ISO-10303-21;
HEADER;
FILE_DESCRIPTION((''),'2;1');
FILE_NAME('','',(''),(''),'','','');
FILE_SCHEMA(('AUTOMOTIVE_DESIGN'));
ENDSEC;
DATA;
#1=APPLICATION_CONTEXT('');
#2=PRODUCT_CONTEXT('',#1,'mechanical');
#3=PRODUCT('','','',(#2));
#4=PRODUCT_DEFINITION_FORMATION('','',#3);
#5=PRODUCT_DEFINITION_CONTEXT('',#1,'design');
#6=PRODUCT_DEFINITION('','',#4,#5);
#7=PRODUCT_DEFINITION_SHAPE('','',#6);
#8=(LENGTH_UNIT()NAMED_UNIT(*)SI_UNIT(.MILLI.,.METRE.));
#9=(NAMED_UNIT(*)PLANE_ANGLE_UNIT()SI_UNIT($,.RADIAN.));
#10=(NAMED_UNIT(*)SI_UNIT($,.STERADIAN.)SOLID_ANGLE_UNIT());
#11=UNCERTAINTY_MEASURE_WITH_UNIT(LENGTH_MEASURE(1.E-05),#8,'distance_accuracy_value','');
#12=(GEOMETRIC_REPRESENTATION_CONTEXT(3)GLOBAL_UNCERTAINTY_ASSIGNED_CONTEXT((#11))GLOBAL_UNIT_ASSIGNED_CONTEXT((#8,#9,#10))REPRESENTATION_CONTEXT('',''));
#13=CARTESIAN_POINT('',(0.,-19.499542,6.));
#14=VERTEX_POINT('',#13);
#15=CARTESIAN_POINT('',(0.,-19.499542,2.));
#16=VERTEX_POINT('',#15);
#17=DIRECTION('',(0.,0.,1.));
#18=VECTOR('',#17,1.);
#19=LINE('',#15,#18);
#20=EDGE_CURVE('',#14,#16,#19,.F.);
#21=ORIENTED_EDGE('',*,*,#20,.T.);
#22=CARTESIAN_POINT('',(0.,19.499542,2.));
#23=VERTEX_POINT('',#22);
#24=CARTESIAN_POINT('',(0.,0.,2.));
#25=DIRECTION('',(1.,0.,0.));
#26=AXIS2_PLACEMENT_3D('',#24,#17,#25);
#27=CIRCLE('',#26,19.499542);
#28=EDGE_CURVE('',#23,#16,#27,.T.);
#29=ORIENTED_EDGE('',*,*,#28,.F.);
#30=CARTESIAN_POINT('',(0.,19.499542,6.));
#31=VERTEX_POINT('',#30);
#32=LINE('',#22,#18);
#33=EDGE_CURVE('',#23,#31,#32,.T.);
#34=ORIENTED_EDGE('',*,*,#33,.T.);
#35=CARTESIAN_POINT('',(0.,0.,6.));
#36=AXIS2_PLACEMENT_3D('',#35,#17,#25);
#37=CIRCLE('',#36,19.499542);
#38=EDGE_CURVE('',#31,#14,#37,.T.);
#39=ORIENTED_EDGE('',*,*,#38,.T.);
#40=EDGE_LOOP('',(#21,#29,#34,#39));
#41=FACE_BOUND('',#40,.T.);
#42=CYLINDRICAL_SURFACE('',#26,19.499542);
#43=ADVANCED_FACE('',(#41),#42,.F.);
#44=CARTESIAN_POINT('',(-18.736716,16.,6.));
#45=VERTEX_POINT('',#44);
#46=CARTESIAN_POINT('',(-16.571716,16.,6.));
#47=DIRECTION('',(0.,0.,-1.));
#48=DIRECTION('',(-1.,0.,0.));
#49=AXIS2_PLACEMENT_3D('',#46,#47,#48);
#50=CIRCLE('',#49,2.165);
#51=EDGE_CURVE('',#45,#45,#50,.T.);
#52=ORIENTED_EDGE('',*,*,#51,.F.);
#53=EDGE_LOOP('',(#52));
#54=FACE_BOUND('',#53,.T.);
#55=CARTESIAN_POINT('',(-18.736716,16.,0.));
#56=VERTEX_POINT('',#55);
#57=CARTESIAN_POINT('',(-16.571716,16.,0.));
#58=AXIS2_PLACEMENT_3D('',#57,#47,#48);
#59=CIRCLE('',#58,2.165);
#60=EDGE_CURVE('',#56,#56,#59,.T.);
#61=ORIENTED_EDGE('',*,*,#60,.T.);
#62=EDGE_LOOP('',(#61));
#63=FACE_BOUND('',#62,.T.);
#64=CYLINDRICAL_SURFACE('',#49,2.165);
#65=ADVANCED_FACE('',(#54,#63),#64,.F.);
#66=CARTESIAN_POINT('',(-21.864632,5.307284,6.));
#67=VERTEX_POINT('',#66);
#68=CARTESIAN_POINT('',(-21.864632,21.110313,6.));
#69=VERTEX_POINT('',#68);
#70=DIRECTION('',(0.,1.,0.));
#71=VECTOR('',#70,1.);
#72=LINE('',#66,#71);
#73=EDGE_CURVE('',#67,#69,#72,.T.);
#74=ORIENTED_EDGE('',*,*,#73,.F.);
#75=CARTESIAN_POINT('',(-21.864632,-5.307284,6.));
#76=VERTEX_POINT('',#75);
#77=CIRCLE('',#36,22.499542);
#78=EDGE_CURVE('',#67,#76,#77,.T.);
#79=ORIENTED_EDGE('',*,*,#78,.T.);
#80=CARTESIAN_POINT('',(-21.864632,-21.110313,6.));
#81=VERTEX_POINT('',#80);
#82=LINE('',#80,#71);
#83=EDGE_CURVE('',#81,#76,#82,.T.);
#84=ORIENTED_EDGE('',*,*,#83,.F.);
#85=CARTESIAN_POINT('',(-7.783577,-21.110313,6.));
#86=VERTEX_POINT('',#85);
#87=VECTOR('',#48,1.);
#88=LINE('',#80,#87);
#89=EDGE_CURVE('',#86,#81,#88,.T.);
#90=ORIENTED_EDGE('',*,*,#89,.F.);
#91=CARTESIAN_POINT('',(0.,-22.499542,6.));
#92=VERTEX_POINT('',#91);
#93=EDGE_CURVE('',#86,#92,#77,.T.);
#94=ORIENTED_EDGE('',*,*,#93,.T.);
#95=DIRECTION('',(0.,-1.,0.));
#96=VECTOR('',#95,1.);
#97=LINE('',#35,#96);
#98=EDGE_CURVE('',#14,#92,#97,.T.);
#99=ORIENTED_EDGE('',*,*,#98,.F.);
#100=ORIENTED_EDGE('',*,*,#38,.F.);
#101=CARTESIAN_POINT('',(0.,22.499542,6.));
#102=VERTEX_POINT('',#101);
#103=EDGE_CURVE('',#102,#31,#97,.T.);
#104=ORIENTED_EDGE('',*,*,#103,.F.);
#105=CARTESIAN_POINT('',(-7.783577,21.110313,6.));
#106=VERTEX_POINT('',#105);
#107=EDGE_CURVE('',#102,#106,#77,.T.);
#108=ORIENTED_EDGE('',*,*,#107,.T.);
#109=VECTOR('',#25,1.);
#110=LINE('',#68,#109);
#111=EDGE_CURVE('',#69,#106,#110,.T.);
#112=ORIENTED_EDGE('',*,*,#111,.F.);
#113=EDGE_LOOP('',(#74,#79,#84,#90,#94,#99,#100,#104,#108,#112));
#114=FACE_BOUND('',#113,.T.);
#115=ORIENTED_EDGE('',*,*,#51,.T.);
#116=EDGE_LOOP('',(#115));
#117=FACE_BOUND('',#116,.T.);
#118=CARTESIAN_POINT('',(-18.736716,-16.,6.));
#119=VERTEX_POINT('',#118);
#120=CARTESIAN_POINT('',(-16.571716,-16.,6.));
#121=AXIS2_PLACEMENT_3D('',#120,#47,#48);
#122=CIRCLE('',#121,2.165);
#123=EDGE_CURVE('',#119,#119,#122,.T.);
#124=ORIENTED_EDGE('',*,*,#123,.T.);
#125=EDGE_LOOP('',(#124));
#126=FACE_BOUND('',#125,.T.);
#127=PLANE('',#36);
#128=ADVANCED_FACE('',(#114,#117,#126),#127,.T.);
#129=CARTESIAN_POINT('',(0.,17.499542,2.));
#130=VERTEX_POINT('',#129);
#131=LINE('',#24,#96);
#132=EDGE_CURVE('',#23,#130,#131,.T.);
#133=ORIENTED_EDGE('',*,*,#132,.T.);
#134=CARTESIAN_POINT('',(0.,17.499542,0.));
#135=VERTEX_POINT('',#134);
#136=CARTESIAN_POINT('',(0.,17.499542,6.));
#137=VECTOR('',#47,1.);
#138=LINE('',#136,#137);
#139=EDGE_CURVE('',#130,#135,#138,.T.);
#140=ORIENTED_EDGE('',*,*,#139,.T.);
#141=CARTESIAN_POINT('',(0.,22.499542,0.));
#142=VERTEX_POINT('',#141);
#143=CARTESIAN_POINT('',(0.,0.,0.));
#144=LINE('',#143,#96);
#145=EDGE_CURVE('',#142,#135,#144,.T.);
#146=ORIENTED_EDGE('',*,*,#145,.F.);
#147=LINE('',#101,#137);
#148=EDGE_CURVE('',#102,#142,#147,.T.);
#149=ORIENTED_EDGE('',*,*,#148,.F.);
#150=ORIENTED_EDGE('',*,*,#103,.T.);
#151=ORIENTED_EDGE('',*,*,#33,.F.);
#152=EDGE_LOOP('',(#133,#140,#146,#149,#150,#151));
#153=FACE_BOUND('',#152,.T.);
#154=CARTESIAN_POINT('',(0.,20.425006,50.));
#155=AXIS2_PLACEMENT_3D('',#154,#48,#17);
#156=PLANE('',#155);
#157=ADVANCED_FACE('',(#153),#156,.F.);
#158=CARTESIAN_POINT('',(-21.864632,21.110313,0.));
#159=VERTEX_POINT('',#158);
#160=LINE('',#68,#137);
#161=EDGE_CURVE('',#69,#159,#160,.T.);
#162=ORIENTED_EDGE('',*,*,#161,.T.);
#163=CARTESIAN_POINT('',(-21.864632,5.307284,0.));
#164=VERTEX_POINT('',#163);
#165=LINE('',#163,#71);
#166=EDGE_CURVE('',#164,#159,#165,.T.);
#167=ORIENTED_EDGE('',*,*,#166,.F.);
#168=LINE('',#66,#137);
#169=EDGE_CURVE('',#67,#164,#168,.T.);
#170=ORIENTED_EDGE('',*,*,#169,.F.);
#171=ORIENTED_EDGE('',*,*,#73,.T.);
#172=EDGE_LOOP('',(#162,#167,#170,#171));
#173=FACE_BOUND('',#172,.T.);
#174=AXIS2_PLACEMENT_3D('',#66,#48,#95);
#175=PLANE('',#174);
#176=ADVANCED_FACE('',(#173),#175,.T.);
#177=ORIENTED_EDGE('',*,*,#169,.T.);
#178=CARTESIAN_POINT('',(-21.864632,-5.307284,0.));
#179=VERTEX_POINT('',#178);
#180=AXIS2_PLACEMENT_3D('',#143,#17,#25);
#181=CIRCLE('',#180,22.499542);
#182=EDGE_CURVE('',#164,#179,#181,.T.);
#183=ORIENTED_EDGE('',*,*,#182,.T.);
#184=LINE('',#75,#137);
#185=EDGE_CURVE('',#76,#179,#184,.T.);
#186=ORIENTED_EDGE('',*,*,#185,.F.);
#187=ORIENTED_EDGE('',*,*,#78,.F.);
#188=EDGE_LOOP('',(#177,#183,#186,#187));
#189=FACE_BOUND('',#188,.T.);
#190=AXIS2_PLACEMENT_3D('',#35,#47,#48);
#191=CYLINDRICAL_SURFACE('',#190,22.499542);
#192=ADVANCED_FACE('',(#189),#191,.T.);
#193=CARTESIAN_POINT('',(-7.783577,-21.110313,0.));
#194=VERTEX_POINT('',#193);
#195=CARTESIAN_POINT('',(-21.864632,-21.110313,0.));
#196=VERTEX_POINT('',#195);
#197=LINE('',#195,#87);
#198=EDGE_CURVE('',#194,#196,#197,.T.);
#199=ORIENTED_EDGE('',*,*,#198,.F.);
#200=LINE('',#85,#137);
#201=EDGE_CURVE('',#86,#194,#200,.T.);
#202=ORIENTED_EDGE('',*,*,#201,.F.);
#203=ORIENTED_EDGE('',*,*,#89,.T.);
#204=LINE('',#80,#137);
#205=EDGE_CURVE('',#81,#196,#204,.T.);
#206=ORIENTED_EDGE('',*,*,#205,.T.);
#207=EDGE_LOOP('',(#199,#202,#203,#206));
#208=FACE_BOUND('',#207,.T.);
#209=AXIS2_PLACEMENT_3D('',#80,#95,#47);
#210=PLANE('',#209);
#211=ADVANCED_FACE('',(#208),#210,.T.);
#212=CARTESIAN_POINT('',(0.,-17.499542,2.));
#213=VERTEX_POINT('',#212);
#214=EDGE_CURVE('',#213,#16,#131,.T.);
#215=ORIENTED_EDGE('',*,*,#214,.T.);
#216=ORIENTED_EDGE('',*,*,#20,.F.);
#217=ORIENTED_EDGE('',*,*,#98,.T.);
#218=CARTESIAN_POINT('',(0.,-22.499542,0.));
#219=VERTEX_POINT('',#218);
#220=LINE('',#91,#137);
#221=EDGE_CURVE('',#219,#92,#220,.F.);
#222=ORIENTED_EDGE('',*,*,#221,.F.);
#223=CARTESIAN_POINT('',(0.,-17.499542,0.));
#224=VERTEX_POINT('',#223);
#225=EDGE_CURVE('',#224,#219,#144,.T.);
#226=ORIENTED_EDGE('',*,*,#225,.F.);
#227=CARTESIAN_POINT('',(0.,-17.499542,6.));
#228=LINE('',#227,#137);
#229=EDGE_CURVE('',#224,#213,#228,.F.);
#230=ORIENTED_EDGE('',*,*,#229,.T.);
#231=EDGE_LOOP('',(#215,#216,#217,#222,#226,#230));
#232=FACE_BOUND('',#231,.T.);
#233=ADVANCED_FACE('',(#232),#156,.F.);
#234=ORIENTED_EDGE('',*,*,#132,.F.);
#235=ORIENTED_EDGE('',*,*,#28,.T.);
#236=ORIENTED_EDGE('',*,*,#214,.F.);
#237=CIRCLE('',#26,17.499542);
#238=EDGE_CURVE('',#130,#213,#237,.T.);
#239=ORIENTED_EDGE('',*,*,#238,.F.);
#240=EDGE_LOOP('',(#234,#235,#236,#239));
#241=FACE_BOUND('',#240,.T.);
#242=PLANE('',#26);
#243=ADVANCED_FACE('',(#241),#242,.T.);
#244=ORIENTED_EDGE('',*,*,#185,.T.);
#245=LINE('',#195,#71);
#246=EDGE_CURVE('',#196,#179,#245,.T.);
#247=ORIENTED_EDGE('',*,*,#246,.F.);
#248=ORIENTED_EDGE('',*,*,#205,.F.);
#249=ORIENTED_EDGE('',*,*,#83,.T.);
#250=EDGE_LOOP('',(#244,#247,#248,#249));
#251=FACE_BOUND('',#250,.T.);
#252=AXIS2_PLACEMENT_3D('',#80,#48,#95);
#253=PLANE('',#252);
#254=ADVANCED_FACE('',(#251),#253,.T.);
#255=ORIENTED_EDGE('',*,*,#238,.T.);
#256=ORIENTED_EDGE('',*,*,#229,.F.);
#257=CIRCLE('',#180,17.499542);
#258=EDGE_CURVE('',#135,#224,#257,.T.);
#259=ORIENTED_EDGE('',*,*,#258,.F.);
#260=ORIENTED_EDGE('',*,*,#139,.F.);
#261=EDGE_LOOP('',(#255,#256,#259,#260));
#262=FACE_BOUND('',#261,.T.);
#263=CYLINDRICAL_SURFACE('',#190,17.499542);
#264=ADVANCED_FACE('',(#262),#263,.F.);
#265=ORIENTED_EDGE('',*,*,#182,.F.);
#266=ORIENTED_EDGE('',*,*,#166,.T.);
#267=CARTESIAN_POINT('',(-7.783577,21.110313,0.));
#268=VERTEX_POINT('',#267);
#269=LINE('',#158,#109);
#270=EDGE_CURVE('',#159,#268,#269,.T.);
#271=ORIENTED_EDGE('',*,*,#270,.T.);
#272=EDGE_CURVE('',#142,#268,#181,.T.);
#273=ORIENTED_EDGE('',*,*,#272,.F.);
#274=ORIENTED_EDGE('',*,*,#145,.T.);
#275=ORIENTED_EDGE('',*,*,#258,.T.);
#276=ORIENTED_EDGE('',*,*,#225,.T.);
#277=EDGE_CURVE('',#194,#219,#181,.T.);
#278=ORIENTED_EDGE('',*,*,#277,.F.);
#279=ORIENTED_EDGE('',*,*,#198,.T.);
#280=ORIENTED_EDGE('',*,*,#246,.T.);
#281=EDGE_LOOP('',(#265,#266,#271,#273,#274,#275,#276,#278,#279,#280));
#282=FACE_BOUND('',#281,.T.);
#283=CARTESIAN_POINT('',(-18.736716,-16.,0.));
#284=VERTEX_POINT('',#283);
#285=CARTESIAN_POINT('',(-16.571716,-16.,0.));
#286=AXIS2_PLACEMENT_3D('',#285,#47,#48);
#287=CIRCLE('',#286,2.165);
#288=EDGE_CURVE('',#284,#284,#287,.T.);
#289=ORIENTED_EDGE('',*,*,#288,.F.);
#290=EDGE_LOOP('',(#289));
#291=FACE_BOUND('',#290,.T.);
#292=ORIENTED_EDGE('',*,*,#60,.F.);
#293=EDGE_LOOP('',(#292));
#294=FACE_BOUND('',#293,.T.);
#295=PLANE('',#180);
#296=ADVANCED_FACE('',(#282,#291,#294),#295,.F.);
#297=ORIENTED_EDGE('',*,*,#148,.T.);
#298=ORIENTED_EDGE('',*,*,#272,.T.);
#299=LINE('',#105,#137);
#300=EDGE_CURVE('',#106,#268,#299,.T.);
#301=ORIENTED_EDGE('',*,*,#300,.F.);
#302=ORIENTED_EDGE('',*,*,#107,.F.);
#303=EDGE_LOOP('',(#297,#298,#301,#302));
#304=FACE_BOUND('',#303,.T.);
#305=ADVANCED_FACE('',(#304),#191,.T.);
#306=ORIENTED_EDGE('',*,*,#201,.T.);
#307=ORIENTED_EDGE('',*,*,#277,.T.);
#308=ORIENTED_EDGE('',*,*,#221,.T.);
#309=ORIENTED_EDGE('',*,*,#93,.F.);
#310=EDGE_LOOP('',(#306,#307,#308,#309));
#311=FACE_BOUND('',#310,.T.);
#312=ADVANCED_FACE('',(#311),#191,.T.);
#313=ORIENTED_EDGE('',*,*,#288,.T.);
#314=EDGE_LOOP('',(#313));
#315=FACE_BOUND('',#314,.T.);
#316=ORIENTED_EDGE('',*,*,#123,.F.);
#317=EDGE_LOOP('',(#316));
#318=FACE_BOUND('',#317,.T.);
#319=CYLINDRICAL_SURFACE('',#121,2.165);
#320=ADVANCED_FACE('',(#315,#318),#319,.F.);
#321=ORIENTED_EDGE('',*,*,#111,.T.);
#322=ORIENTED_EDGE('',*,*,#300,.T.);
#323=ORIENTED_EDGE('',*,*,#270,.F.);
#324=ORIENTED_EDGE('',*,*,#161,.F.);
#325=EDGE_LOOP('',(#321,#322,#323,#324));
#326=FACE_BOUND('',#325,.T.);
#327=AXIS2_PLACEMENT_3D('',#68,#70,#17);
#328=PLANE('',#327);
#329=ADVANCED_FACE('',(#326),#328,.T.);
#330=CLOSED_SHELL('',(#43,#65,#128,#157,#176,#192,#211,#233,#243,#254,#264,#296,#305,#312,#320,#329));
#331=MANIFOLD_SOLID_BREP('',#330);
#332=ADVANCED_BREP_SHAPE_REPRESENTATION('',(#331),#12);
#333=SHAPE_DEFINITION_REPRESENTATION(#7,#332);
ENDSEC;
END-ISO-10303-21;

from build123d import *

# Parameters (mm, degrees)
SKETCH1_R           = 22.4995417
SKETCH1_R_2         = 17.4995417
BOSS_EXTRUDE1_DEPTH = 6
CUT_EXTRUDE1_START  = -4
SKETCH2_R           = 19.4995417
SKETCH2_R_2         = 17.4995417
CUT_EXTRUDE1_DEPTH  = 4
BOSS_EXTRUDE2_DEPTH = 6
BOSS_EXTRUDE3_START = 24
BOSS_EXTRUDE3_DEPTH = 24
BOSS_EXTRUDE4_START = 5
SKETCH6_R           = 22.4995417
SKETCH6_R_2         = 8.79453705
BOSS_EXTRUDE4_DEPTH = 5
CUT_EXTRUDE2_DEPTH  = 50
SKETCH8_W           = 26.34206851
SKETCH8_H           = 62.78523096
CUT_EXTRUDE3_DEPTH  = 44.051814752
SKETCH9_R           = 2.165
CUT_EXTRUDE4_DEPTH  = 33.379912807


with BuildPart() as part:
    # Sketch1 → Boss-Extrude1 (new body)
    with BuildSketch(Plane.XY):
        Circle(SKETCH1_R)
        Circle(SKETCH1_R_2, mode=Mode.SUBTRACT)
    extrude(amount=BOSS_EXTRUDE1_DEPTH)

    # Sketch2 → Cut-Extrude1 (cut)
    with BuildSketch(Plane.XY.offset(6).offset(CUT_EXTRUDE1_START)):
        Circle(SKETCH2_R)
        Circle(SKETCH2_R_2, mode=Mode.SUBTRACT)
    extrude(amount=CUT_EXTRUDE1_DEPTH, mode=Mode.SUBTRACT)

    # Sketch3 → Boss-Extrude2 (add, through all)
    with BuildSketch(Plane(origin=(0, 0, 0), x_dir=(-1, 0, 0), z_dir=(0, 0, -1))):
        with BuildLine():
            Line((-7.783576547, 21.11031295), (-21.864631522, 21.11031295))
            Line((-21.864631522, 21.11031295), (-21.864631522, 5.307284156))
            ThreePointArc((-21.864631522, 5.307284156), (-16.798452018, 14.96801211), (-7.783576547, 21.11031295))
        make_face()
        with BuildLine():
            Line((21.864631522, -21.11031295), (7.783576547, -21.11031295))
            ThreePointArc((7.783576547, -21.11031295), (16.798452018, -14.96801211), (21.864631522, -5.307284156))
            Line((21.864631522, -5.307284156), (21.864631522, -21.11031295))
        make_face()
        with BuildLine():
            Line((21.864631522, 21.11031295), (7.783576547, 21.11031295))
            ThreePointArc((7.783576547, 21.11031295), (16.798452018, 14.96801211), (21.864631522, 5.307284156))
            Line((21.864631522, 5.307284156), (21.864631522, 21.11031295))
        make_face()
        with BuildLine():
            Line((-21.864631522, -21.11031295), (-21.864631522, -5.307284156))
            ThreePointArc((-21.864631522, -5.307284156), (-16.798452018, -14.96801211), (-7.783576547, -21.11031295))
            Line((-7.783576547, -21.11031295), (-21.864631522, -21.11031295))
        make_face()
    extrude(amount=-BOSS_EXTRUDE2_DEPTH)

    # Sketch5 → Boss-Extrude3 (add)
    with BuildSketch(Plane(origin=(0, 0, 0), x_dir=(-1, 0, 0), z_dir=(0, 0, -1)).offset(BOSS_EXTRUDE3_START)):
        with BuildLine():
            Line((-14.441527519, 9.883129191), (-18.5677863, 12.706954341))
            ThreePointArc((-18.5677863, 12.706954341), (-22.4995417, 0), (-18.5677863, -12.706954341))
            Line((-18.5677863, -12.706954341), (-14.441527519, -9.883129191))
            ThreePointArc((-14.441527519, -9.883129191), (-17.4995417, 0), (-14.441527519, 9.883129191))
        make_face()
    extrude(amount=-BOSS_EXTRUDE3_DEPTH)

    # Sketch6 → Boss-Extrude4 (add)
    with BuildSketch(Plane(origin=(0, 0, -24), x_dir=(-1, 0, 0), z_dir=(0, 0, -1)).offset(BOSS_EXTRUDE4_START)):
        Circle(SKETCH6_R)
        Circle(SKETCH6_R_2, mode=Mode.SUBTRACT)
    extrude(amount=-BOSS_EXTRUDE4_DEPTH)

    # Sketch7 → Cut-Extrude2 (cut, symmetric)
    with BuildSketch(Plane(origin=(0, 0, 0), x_dir=(-1, 0, 0), z_dir=(0, 0, -1))):
        Polygon((0, 20.425006128), (0, -31.813494394), (-34.413040629, -24.963896379), (-30.369302041, 32.308646058), (-0.660202218, 29.585311907), (0, 25.789149152), align=None)
    extrude(amount=CUT_EXTRUDE2_DEPTH, both=True, mode=Mode.SUBTRACT)


with BuildPart() as cut_extrude2_piece_1:
    # of the separate pieces the step leaves, piece 1, a body of its own (cut_extrude2_pieces)
    add(part.part.solids().sort_by_distance((0, -22.4995417, -24))[0])

    # Sketch8 → Cut-Extrude3 (cut, through all)
    with BuildSketch(Plane(origin=(0, 0, 0), x_dir=(0, 0, -1), z_dir=(1, 0, 0))):
        with Locations((23.482670262, -0.940788161)):
            Rectangle(SKETCH8_W, SKETCH8_H)
    extrude(amount=-CUT_EXTRUDE3_DEPTH, mode=Mode.SUBTRACT)


with BuildPart() as cut_extrude2_piece_2:
    # of the separate pieces the step leaves, piece 2, a body of its own (cut_extrude2_pieces)
    add(part.part.solids().sort_by_distance((0, 17.4995417, 0))[0])

    # Sketch9 → Cut-Extrude4 (cut, through all)
    with BuildSketch(Plane(origin=(0, 0, 0), x_dir=(-1, 0, 0), z_dir=(0, 0, -1))):
        with Locations((16.571715691, 16)):
            Circle(SKETCH9_R)
        with Locations((16.571715691, -16)):
            Circle(SKETCH9_R)
        with Locations((-16.571715691, -16)):
            Circle(SKETCH9_R)
        with Locations((-16.571715691, 16)):
            Circle(SKETCH9_R)
    extrude(amount=-CUT_EXTRUDE4_DEPTH, mode=Mode.SUBTRACT)


solid = cut_extrude2_piece_2.part
